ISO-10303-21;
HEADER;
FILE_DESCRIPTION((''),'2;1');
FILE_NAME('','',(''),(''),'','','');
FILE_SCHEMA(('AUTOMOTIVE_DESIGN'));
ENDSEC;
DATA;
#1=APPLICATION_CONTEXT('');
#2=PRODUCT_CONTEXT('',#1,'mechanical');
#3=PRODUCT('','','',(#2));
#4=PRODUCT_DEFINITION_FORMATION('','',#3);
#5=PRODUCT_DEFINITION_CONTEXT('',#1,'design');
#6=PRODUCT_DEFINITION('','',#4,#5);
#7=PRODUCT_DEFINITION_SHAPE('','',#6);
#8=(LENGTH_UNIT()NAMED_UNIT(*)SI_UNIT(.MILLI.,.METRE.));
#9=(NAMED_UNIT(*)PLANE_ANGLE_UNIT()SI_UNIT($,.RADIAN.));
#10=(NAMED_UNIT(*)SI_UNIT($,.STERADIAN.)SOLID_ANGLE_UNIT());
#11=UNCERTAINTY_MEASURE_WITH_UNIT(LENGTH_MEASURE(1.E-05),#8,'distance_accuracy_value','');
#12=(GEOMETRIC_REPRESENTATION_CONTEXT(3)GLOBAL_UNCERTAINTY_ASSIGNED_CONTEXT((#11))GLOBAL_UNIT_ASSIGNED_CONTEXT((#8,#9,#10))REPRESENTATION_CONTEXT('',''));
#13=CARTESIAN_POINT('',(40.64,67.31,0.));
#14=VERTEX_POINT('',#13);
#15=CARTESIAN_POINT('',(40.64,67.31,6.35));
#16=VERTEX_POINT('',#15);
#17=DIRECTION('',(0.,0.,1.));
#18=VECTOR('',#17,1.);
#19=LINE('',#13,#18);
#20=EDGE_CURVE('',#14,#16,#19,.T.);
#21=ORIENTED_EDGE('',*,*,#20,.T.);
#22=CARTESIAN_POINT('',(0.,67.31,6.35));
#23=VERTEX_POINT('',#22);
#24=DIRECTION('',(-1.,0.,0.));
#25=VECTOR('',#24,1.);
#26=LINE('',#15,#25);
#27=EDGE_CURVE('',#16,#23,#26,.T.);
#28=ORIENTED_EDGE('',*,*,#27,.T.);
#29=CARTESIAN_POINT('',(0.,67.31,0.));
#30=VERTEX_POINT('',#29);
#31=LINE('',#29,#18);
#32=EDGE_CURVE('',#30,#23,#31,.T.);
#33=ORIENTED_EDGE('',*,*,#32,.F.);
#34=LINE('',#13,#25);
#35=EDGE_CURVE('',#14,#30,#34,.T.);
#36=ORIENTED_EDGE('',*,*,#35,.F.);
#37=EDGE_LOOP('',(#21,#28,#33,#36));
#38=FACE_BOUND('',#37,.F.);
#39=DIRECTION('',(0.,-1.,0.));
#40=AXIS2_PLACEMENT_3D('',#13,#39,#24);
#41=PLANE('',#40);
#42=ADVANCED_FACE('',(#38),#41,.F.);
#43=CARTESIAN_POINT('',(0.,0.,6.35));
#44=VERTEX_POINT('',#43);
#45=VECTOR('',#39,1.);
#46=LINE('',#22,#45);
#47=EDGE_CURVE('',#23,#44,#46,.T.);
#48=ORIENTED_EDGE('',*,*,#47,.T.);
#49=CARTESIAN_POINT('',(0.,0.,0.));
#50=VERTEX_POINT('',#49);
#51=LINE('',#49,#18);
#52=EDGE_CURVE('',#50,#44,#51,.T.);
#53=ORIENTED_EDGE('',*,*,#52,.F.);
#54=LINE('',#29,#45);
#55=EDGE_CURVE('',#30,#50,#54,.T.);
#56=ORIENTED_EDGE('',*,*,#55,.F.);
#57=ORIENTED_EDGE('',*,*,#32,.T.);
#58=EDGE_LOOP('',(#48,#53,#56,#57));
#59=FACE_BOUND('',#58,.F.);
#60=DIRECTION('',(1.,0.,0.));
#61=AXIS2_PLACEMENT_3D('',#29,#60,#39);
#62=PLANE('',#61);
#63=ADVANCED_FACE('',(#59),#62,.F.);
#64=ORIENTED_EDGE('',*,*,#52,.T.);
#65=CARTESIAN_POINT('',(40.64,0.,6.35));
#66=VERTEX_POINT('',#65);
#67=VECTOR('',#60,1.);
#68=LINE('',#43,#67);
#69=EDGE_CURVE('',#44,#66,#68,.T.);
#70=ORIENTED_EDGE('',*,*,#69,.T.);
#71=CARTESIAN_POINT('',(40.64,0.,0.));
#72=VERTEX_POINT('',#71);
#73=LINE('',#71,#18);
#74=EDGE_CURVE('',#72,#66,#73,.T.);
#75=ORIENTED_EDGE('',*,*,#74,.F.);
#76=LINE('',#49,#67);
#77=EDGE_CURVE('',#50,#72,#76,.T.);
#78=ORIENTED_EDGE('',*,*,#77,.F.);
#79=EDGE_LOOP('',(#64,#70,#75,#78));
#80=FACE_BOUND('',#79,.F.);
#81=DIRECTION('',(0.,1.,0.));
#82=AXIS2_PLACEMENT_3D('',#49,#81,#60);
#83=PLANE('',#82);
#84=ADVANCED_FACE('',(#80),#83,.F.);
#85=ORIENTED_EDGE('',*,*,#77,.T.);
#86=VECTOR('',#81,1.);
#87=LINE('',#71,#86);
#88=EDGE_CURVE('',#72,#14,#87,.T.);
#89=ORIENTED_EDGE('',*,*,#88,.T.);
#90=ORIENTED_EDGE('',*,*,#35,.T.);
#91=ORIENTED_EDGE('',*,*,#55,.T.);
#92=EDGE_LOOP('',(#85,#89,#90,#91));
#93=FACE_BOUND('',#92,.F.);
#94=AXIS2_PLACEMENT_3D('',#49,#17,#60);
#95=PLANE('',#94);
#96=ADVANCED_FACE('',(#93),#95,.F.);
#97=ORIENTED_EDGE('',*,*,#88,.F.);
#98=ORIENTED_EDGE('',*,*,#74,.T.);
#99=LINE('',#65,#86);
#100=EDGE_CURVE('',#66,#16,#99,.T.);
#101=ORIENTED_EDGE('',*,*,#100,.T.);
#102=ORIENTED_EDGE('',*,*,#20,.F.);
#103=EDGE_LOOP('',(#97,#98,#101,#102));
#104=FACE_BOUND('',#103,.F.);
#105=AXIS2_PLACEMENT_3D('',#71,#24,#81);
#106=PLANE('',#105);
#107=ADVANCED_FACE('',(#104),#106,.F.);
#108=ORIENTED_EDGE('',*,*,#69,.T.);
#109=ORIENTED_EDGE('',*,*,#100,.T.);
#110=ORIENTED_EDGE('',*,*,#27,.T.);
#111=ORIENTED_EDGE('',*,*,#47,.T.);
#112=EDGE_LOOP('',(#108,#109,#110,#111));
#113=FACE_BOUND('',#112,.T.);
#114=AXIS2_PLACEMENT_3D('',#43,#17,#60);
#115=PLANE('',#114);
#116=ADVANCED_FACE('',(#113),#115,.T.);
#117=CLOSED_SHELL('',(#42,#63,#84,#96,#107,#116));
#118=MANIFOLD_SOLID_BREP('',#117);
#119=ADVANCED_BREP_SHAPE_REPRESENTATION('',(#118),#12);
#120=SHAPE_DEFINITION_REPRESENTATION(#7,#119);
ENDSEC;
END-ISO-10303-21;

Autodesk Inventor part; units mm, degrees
ref_plane "YZ Plane" through (0, 0, 0) normal (1, 0, 0) x (0, 1, 0)
ref_plane "XZ Plane" through (0, 0, 0) normal (0, 1, 0) x (-1, 0, 0)
ref_plane "XY Plane" through (0, 0, 0) normal (0, 0, 1) x (1, 0, 0)
sketch "Sketch1" plane through (0, 0, 0) normal (0, 0, 1) x (1, 0, 0)
  line L0 (0, 0) -> (40.64, 0)
  line L1 (40.64, 0) -> (40.64, 67.31)
  line L2 (40.64, 67.31) -> (0, 67.31)
  line L3 (0, 67.31) -> (0, 0)
  dimension "d0" = 40.64
  dimension "d1" = 67.31
extrude "Extrusion1" add sketch "Sketch1" along normal blind 6.35
properties part number "LIPO"
